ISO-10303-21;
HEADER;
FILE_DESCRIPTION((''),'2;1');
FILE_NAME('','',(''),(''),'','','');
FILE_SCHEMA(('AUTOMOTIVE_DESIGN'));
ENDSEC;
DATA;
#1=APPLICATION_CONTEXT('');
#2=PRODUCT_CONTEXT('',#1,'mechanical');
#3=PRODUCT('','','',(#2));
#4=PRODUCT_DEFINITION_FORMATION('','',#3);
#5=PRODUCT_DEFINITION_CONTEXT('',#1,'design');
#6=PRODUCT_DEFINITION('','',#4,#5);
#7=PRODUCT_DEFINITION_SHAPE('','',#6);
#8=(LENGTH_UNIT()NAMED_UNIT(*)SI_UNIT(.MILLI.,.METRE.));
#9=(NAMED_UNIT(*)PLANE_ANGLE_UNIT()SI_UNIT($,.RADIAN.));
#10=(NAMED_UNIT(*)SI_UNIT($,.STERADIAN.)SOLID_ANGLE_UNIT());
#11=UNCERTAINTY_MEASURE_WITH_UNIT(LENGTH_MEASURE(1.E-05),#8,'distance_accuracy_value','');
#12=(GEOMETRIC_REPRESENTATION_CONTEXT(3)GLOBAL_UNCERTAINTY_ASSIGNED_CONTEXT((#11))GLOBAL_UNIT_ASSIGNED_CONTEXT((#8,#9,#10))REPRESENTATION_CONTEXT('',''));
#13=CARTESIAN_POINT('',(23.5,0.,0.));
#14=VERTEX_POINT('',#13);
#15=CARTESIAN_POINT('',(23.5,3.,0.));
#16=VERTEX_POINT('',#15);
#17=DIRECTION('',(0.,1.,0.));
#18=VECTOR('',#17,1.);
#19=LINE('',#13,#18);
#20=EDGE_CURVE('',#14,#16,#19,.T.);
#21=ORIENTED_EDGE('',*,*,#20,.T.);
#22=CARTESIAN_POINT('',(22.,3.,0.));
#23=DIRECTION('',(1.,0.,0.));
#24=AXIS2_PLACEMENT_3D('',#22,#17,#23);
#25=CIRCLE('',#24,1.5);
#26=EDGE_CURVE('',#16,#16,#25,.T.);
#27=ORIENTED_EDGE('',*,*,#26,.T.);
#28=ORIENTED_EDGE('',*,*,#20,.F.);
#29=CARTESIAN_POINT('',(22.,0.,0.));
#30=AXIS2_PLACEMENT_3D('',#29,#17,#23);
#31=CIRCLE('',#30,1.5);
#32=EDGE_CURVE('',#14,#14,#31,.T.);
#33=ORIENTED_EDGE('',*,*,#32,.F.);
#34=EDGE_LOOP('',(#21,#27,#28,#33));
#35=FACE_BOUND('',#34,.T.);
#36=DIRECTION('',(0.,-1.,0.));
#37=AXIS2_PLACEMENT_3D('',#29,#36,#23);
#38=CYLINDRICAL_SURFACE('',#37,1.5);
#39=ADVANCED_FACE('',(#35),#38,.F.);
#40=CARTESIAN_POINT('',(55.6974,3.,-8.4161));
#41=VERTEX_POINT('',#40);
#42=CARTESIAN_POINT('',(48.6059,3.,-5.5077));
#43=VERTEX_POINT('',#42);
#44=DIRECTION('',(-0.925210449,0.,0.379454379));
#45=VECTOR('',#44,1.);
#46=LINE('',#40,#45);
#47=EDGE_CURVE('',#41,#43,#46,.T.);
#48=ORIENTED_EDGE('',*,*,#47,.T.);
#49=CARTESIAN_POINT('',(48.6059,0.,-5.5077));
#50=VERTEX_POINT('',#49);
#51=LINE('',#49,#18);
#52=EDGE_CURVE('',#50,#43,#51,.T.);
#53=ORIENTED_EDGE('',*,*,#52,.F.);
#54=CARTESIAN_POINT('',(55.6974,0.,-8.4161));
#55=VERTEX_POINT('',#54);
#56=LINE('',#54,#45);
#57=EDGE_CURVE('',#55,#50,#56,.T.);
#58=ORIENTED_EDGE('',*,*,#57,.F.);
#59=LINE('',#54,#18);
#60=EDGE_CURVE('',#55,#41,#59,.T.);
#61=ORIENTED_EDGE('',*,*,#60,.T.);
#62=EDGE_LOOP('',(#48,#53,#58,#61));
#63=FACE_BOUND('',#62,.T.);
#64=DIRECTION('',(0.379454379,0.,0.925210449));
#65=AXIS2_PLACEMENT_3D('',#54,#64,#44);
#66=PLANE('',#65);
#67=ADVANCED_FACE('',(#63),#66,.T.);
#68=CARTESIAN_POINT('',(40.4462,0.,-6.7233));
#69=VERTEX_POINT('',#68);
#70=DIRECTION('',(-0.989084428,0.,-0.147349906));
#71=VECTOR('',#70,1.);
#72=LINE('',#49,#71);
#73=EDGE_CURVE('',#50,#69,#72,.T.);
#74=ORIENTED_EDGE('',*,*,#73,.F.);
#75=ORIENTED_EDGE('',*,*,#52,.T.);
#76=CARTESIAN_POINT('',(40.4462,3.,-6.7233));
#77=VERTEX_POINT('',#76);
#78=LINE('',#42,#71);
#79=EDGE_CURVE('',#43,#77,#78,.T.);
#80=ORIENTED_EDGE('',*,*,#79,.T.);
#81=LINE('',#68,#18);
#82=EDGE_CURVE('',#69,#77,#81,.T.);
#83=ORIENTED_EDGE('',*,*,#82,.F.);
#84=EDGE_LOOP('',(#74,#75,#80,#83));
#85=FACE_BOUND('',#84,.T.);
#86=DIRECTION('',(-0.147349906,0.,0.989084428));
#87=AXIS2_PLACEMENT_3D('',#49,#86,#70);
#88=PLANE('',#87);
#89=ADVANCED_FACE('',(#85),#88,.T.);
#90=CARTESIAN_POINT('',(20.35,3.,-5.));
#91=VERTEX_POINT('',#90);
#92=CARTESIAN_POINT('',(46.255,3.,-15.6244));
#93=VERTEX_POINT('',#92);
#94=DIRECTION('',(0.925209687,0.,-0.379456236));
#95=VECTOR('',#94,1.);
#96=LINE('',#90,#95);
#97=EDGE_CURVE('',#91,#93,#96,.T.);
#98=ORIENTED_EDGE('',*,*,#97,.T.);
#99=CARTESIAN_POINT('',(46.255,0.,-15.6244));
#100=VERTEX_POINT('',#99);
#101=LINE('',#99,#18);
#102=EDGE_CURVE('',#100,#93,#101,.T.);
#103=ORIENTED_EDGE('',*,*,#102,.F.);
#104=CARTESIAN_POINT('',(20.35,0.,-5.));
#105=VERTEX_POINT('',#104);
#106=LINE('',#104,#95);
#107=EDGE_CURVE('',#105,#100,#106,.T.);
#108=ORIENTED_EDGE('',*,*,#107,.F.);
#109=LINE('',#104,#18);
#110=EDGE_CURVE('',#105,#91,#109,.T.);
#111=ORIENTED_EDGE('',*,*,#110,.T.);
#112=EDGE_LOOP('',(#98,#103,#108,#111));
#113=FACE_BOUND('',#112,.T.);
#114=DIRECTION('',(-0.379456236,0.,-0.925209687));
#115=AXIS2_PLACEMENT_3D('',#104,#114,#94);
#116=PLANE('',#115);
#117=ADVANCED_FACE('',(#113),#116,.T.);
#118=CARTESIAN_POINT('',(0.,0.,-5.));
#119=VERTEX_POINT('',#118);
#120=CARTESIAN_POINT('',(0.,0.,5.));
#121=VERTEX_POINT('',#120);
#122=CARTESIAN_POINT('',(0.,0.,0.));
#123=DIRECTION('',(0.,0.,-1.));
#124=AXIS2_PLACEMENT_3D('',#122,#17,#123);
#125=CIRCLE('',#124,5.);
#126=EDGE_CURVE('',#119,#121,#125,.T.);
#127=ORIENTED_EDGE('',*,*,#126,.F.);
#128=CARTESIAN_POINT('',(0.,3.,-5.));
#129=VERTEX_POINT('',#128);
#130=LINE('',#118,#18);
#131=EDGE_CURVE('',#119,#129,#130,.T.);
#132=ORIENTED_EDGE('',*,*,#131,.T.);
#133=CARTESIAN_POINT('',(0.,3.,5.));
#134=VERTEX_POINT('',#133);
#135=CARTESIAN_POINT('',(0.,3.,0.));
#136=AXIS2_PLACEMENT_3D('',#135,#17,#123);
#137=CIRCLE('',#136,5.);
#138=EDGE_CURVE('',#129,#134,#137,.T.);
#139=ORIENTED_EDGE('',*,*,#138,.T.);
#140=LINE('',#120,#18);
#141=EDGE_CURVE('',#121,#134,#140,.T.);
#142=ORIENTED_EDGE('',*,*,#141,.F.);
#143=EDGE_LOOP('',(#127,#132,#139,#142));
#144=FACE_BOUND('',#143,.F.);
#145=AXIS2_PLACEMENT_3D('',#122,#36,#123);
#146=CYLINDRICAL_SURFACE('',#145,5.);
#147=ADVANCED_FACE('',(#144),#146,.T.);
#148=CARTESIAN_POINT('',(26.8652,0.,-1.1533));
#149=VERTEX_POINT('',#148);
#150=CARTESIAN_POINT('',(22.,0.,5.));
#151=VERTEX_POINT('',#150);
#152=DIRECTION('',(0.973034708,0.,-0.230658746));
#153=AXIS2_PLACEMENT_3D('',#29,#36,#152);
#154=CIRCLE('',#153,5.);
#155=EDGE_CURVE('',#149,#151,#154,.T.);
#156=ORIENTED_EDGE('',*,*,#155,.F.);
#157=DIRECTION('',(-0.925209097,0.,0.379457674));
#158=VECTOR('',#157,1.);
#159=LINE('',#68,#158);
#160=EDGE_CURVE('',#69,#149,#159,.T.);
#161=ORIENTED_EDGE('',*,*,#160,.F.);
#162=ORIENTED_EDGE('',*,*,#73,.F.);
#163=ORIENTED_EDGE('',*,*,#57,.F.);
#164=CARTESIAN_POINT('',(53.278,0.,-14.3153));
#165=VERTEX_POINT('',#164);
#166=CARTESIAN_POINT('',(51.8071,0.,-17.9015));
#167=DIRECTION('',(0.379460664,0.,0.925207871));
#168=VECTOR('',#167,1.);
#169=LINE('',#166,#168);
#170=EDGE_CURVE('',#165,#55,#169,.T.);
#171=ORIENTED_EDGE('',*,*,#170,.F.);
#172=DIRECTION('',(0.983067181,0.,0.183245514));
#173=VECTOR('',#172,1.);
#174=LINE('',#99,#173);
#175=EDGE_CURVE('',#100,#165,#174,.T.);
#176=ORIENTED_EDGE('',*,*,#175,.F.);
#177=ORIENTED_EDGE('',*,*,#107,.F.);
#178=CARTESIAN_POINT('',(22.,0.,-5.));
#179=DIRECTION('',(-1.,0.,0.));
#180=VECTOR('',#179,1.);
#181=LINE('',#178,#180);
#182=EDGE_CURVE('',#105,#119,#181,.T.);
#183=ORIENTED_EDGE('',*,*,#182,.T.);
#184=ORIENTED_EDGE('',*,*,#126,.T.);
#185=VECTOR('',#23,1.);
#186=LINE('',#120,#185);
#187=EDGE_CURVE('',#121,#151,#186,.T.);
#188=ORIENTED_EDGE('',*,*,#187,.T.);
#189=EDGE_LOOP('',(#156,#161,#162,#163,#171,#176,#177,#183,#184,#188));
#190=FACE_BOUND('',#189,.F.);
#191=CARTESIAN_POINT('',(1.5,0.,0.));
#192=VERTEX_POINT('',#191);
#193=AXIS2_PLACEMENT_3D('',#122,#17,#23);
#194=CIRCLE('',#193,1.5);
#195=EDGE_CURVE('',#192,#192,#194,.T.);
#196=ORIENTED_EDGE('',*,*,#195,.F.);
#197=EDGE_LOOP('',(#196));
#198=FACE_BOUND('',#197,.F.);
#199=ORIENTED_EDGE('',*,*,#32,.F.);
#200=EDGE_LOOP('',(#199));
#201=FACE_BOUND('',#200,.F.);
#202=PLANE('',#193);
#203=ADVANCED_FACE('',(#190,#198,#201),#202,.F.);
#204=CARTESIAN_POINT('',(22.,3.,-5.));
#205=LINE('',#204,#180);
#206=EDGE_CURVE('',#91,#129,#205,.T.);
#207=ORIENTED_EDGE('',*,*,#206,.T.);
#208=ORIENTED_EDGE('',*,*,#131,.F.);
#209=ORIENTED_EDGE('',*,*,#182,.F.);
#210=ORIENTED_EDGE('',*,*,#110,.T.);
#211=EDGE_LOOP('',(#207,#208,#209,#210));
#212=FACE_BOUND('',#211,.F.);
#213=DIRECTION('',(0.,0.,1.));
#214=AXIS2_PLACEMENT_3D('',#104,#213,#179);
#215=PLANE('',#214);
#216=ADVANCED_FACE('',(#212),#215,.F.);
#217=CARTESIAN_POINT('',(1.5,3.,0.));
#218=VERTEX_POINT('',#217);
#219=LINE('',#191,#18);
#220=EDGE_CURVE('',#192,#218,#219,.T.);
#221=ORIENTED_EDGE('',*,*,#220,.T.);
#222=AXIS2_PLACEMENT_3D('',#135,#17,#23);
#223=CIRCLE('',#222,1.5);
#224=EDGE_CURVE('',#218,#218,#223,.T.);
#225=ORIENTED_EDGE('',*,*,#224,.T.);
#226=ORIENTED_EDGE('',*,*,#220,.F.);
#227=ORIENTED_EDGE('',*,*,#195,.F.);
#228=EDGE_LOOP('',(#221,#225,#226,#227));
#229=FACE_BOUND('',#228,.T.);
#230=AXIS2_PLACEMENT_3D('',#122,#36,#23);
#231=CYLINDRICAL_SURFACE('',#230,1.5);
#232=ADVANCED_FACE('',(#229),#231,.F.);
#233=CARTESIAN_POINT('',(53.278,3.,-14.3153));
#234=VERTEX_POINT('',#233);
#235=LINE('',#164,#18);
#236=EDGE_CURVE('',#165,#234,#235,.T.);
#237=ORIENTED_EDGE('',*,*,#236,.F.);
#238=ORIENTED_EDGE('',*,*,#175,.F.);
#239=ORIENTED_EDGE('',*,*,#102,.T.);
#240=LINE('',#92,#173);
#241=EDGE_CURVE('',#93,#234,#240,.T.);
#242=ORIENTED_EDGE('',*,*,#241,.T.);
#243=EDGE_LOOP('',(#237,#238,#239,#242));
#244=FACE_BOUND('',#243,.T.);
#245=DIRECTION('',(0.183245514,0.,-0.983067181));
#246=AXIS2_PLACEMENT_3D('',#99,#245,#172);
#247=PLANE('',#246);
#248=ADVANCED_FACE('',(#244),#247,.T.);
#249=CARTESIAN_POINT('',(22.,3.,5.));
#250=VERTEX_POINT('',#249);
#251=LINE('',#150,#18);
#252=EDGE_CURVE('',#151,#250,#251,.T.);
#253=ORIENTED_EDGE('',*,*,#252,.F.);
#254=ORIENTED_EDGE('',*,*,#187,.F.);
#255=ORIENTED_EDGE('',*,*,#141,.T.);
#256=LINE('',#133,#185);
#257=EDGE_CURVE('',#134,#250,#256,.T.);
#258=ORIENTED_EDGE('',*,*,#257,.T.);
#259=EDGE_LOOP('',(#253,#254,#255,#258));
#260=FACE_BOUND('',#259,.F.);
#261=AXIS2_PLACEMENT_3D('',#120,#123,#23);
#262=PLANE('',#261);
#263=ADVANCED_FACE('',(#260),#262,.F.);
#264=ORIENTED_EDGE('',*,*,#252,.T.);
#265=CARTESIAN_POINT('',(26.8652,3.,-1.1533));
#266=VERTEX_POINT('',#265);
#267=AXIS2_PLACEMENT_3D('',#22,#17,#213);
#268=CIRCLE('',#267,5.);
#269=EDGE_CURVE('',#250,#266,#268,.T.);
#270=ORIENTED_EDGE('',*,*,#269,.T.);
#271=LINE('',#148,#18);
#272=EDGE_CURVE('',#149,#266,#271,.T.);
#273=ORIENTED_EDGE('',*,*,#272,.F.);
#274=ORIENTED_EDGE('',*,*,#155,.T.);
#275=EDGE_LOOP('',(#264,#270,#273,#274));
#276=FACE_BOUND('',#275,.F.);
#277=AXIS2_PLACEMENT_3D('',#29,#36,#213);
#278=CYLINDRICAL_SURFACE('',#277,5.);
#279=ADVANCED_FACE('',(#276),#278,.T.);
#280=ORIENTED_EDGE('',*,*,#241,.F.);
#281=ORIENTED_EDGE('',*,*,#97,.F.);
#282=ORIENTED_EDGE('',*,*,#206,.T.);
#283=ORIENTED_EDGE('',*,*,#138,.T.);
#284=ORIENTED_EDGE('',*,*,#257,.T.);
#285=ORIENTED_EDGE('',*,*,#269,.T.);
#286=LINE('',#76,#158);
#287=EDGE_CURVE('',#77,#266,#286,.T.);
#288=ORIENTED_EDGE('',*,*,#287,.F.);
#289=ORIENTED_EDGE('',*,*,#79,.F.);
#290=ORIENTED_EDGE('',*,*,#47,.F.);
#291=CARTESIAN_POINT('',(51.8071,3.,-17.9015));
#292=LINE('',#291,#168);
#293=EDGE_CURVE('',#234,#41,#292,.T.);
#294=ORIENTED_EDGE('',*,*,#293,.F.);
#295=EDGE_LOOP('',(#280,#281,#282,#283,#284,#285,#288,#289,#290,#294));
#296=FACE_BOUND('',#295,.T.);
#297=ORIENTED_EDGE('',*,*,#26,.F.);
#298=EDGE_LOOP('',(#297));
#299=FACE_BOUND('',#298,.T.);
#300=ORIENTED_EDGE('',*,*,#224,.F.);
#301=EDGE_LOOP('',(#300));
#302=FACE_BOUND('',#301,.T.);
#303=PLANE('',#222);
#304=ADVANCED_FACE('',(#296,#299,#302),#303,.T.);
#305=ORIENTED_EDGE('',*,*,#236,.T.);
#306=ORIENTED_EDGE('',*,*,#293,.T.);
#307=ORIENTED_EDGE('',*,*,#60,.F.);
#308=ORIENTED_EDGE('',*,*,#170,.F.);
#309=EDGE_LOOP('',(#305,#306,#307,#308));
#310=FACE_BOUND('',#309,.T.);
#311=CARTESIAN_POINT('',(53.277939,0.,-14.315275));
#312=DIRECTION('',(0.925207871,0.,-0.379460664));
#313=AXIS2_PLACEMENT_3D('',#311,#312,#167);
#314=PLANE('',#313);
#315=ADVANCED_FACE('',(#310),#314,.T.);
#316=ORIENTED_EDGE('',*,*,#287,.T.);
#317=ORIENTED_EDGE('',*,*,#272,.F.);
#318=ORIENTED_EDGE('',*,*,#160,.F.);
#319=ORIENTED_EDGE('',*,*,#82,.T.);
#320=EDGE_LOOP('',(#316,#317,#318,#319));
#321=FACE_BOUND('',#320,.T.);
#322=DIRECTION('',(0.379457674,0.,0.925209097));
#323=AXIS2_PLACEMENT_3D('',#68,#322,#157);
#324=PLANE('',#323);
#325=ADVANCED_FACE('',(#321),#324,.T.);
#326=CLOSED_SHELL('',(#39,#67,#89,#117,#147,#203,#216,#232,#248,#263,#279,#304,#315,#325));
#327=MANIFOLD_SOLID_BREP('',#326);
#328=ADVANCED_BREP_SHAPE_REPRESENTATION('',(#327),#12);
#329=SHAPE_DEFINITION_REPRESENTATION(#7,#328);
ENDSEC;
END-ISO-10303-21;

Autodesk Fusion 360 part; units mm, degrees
sketch "Sketch1" plane through (0, 0, 0) normal (0, 1, 0) x (1, 0, 0)
  line L0 (0, -5) -> (22, -5)
  arc A0 (22, -5) -> (22, 5) centre (22, 0) ccw
  line L1 (22, 5) -> (0, 5)
  arc A1 (0, 5) -> (0, -5) centre (0, 0) ccw
  line L2 (0, 0) -> (22, 0) construction
  circle A2 centre (0, 0) radius 1.5
  line L3 (20.35, 5) -> (51.8071, 17.9015)
  line L4 (51.8071, 17.9015) -> (55.6974, 8.4161)
  line L5 (55.6974, 8.4161) -> (23.8973, -4.626)
  line L6 (46.255, 15.6244) -> (53.278, 14.3153)
  line L7 (48.6059, 5.5077) -> (40.4462, 6.7233)
  line L8 (40.4462, 6.7233) -> (26.8652, 1.1533)
  circle A3 centre (22, 0) radius 1.5
  dimension "d1" = 22
  dimension "d3" = 5
  dimension "d4" = 3
  dimension "d5" = 157.7
  dimension "d6" = 34
  dimension "d7" = 1.65
  dimension "d8" = 3
extrude "Extrude1" add sketch "Sketch1" along normal blind 3 contours L0 A0 L1 A1 | A0 L1 L3 L4 L5 L6 L7 L8
sketch "Sketch2" plane through (0, 0, 0) normal (0, 1, 0) x (1, 0, 0)
